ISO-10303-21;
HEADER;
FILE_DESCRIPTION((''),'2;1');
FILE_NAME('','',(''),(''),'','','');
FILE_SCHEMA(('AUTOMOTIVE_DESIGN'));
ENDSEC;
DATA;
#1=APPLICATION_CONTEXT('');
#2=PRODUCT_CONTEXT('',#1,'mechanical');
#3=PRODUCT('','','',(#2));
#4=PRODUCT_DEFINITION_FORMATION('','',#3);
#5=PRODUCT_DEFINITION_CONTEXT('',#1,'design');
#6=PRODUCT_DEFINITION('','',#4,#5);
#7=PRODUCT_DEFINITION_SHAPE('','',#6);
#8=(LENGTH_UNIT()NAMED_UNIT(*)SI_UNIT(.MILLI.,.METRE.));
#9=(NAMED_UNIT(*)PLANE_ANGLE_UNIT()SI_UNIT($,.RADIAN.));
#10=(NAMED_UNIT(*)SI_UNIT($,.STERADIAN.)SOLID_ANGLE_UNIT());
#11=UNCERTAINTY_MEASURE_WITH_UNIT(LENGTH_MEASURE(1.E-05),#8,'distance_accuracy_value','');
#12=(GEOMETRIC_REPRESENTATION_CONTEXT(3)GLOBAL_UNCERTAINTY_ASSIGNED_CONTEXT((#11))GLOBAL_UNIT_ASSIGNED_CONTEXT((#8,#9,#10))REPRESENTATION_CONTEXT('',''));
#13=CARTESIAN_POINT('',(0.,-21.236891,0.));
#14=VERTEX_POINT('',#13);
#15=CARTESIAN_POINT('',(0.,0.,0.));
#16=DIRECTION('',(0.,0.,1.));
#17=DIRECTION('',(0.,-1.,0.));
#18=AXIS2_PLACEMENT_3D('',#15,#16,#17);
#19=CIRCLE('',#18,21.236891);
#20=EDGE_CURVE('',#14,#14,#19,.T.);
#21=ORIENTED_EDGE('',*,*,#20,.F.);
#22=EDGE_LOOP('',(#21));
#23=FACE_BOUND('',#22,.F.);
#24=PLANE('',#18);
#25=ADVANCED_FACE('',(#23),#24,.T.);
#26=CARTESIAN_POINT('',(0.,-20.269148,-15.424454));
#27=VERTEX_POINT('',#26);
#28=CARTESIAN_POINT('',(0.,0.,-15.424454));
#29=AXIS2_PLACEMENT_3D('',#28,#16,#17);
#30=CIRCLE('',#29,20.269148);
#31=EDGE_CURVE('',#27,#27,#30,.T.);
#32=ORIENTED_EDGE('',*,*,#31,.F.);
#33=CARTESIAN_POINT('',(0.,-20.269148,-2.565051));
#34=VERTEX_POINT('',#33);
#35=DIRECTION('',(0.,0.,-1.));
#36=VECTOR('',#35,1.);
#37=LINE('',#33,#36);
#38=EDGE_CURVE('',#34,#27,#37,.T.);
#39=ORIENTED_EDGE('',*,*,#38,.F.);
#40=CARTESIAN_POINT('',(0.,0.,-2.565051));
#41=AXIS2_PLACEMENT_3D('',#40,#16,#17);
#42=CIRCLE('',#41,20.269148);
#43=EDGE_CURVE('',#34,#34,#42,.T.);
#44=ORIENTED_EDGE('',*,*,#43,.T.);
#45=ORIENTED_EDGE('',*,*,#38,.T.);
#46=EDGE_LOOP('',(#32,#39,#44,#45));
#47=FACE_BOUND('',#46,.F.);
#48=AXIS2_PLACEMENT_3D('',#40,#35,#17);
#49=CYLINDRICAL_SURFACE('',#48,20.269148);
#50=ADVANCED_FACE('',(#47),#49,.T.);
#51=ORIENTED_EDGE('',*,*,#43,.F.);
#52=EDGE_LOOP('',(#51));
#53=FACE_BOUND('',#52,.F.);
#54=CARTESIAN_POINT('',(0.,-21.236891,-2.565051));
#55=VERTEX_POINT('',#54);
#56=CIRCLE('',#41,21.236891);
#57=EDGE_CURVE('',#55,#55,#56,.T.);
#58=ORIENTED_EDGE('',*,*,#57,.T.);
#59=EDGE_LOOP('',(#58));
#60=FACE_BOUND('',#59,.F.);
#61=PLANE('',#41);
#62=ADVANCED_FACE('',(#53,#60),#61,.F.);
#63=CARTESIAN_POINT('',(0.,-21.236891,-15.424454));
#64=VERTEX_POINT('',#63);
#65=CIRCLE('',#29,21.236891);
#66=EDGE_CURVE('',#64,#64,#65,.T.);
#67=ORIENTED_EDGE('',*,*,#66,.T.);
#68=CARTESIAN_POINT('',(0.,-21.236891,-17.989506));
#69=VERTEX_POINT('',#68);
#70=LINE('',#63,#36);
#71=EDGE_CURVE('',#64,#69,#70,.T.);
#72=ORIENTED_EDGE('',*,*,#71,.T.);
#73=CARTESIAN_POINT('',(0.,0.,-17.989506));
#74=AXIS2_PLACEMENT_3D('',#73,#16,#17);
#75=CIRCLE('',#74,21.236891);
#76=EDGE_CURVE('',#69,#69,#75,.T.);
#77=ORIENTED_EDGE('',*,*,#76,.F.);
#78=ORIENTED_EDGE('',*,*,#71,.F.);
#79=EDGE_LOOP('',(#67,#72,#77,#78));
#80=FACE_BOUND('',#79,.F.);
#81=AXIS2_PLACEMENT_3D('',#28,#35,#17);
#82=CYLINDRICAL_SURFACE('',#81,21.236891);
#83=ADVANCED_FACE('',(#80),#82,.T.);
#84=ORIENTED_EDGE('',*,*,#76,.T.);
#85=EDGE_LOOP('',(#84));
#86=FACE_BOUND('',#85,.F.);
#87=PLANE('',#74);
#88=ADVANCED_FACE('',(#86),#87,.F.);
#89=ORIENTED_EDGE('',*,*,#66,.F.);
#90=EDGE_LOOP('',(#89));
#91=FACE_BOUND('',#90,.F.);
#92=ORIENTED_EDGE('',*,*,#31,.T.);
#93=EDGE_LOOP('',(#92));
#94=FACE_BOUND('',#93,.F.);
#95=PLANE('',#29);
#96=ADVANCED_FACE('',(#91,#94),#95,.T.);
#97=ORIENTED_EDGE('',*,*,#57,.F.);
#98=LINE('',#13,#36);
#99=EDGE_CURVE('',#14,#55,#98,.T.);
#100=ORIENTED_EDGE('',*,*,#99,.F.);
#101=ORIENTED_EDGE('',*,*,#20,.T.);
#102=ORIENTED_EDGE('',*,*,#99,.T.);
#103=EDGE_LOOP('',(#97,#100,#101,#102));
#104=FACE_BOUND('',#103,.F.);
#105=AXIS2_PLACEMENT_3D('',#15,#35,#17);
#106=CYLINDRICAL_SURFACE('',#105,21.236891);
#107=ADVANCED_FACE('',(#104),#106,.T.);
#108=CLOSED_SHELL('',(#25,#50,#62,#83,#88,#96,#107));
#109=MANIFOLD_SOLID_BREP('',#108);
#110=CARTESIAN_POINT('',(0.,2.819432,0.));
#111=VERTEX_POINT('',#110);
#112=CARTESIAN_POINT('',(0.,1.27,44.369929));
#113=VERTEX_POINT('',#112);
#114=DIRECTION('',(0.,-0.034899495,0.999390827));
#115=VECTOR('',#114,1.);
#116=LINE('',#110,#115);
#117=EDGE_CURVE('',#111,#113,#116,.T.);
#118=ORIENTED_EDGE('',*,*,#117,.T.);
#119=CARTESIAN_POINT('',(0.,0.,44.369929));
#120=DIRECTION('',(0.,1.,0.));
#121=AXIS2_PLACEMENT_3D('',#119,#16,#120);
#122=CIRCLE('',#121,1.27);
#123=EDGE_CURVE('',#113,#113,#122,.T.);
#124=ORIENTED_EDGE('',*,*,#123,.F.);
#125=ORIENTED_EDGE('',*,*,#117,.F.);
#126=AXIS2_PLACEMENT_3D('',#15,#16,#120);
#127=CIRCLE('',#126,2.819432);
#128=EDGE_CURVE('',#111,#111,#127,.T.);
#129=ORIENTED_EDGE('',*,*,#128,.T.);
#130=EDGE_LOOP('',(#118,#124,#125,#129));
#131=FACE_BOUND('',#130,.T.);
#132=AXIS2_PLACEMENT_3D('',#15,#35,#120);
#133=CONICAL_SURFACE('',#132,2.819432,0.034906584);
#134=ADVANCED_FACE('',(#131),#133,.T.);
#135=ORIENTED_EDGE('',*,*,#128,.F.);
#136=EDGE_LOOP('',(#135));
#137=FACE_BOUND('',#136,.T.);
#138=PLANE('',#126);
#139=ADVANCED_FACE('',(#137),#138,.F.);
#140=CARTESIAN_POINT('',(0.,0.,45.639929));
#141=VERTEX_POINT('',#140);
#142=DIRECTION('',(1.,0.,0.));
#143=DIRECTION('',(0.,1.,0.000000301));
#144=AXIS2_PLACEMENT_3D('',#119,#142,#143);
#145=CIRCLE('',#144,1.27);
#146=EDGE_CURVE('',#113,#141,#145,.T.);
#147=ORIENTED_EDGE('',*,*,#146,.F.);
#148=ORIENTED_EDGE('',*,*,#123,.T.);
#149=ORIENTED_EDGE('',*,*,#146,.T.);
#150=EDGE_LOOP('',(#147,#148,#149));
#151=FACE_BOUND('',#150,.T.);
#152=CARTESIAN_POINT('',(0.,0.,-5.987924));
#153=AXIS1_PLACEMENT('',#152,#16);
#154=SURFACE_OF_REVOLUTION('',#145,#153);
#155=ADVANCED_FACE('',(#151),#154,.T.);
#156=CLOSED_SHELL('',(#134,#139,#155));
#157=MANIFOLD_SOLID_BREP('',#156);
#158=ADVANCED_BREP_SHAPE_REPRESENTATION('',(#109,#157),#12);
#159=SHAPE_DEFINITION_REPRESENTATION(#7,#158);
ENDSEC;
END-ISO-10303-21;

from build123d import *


with BuildPart() as f2:
    # F0 (on Right) → F2 (revolve)
    with BuildSketch(Plane.YZ):
        Polygon((0, 0), (-21.236891, 0), (-21.236891, -2.565051), (-20.269148, -2.565051), (-20.269148, -15.424454), (-21.236891, -15.424454), (-21.236891, -17.989506), (0, -17.989506), align=None)
    revolve(axis=Axis((0, 0, -5.987924), (0, 0, 1)))


with BuildPart() as f4:
    # F3 (on Right) → F4 (revolve)
    with BuildSketch(Plane.YZ):
        Polygon((0, 44.369929), (0, 0), (2.819432, 0), (1.27, 44.369929), align=None)
        with BuildLine():
            Line((0, 45.639929), (0, 44.369929))
            Line((0, 44.369929), (1.27, 44.369929))
            ThreePointArc((1.27, 44.369929), (0.898026, 45.267954), (0, 45.639929))
        make_face()
    revolve(axis=Axis((0, 0, -5.987924), (0, 0, 1)))


solid = Compound([f2.part, f4.part])
